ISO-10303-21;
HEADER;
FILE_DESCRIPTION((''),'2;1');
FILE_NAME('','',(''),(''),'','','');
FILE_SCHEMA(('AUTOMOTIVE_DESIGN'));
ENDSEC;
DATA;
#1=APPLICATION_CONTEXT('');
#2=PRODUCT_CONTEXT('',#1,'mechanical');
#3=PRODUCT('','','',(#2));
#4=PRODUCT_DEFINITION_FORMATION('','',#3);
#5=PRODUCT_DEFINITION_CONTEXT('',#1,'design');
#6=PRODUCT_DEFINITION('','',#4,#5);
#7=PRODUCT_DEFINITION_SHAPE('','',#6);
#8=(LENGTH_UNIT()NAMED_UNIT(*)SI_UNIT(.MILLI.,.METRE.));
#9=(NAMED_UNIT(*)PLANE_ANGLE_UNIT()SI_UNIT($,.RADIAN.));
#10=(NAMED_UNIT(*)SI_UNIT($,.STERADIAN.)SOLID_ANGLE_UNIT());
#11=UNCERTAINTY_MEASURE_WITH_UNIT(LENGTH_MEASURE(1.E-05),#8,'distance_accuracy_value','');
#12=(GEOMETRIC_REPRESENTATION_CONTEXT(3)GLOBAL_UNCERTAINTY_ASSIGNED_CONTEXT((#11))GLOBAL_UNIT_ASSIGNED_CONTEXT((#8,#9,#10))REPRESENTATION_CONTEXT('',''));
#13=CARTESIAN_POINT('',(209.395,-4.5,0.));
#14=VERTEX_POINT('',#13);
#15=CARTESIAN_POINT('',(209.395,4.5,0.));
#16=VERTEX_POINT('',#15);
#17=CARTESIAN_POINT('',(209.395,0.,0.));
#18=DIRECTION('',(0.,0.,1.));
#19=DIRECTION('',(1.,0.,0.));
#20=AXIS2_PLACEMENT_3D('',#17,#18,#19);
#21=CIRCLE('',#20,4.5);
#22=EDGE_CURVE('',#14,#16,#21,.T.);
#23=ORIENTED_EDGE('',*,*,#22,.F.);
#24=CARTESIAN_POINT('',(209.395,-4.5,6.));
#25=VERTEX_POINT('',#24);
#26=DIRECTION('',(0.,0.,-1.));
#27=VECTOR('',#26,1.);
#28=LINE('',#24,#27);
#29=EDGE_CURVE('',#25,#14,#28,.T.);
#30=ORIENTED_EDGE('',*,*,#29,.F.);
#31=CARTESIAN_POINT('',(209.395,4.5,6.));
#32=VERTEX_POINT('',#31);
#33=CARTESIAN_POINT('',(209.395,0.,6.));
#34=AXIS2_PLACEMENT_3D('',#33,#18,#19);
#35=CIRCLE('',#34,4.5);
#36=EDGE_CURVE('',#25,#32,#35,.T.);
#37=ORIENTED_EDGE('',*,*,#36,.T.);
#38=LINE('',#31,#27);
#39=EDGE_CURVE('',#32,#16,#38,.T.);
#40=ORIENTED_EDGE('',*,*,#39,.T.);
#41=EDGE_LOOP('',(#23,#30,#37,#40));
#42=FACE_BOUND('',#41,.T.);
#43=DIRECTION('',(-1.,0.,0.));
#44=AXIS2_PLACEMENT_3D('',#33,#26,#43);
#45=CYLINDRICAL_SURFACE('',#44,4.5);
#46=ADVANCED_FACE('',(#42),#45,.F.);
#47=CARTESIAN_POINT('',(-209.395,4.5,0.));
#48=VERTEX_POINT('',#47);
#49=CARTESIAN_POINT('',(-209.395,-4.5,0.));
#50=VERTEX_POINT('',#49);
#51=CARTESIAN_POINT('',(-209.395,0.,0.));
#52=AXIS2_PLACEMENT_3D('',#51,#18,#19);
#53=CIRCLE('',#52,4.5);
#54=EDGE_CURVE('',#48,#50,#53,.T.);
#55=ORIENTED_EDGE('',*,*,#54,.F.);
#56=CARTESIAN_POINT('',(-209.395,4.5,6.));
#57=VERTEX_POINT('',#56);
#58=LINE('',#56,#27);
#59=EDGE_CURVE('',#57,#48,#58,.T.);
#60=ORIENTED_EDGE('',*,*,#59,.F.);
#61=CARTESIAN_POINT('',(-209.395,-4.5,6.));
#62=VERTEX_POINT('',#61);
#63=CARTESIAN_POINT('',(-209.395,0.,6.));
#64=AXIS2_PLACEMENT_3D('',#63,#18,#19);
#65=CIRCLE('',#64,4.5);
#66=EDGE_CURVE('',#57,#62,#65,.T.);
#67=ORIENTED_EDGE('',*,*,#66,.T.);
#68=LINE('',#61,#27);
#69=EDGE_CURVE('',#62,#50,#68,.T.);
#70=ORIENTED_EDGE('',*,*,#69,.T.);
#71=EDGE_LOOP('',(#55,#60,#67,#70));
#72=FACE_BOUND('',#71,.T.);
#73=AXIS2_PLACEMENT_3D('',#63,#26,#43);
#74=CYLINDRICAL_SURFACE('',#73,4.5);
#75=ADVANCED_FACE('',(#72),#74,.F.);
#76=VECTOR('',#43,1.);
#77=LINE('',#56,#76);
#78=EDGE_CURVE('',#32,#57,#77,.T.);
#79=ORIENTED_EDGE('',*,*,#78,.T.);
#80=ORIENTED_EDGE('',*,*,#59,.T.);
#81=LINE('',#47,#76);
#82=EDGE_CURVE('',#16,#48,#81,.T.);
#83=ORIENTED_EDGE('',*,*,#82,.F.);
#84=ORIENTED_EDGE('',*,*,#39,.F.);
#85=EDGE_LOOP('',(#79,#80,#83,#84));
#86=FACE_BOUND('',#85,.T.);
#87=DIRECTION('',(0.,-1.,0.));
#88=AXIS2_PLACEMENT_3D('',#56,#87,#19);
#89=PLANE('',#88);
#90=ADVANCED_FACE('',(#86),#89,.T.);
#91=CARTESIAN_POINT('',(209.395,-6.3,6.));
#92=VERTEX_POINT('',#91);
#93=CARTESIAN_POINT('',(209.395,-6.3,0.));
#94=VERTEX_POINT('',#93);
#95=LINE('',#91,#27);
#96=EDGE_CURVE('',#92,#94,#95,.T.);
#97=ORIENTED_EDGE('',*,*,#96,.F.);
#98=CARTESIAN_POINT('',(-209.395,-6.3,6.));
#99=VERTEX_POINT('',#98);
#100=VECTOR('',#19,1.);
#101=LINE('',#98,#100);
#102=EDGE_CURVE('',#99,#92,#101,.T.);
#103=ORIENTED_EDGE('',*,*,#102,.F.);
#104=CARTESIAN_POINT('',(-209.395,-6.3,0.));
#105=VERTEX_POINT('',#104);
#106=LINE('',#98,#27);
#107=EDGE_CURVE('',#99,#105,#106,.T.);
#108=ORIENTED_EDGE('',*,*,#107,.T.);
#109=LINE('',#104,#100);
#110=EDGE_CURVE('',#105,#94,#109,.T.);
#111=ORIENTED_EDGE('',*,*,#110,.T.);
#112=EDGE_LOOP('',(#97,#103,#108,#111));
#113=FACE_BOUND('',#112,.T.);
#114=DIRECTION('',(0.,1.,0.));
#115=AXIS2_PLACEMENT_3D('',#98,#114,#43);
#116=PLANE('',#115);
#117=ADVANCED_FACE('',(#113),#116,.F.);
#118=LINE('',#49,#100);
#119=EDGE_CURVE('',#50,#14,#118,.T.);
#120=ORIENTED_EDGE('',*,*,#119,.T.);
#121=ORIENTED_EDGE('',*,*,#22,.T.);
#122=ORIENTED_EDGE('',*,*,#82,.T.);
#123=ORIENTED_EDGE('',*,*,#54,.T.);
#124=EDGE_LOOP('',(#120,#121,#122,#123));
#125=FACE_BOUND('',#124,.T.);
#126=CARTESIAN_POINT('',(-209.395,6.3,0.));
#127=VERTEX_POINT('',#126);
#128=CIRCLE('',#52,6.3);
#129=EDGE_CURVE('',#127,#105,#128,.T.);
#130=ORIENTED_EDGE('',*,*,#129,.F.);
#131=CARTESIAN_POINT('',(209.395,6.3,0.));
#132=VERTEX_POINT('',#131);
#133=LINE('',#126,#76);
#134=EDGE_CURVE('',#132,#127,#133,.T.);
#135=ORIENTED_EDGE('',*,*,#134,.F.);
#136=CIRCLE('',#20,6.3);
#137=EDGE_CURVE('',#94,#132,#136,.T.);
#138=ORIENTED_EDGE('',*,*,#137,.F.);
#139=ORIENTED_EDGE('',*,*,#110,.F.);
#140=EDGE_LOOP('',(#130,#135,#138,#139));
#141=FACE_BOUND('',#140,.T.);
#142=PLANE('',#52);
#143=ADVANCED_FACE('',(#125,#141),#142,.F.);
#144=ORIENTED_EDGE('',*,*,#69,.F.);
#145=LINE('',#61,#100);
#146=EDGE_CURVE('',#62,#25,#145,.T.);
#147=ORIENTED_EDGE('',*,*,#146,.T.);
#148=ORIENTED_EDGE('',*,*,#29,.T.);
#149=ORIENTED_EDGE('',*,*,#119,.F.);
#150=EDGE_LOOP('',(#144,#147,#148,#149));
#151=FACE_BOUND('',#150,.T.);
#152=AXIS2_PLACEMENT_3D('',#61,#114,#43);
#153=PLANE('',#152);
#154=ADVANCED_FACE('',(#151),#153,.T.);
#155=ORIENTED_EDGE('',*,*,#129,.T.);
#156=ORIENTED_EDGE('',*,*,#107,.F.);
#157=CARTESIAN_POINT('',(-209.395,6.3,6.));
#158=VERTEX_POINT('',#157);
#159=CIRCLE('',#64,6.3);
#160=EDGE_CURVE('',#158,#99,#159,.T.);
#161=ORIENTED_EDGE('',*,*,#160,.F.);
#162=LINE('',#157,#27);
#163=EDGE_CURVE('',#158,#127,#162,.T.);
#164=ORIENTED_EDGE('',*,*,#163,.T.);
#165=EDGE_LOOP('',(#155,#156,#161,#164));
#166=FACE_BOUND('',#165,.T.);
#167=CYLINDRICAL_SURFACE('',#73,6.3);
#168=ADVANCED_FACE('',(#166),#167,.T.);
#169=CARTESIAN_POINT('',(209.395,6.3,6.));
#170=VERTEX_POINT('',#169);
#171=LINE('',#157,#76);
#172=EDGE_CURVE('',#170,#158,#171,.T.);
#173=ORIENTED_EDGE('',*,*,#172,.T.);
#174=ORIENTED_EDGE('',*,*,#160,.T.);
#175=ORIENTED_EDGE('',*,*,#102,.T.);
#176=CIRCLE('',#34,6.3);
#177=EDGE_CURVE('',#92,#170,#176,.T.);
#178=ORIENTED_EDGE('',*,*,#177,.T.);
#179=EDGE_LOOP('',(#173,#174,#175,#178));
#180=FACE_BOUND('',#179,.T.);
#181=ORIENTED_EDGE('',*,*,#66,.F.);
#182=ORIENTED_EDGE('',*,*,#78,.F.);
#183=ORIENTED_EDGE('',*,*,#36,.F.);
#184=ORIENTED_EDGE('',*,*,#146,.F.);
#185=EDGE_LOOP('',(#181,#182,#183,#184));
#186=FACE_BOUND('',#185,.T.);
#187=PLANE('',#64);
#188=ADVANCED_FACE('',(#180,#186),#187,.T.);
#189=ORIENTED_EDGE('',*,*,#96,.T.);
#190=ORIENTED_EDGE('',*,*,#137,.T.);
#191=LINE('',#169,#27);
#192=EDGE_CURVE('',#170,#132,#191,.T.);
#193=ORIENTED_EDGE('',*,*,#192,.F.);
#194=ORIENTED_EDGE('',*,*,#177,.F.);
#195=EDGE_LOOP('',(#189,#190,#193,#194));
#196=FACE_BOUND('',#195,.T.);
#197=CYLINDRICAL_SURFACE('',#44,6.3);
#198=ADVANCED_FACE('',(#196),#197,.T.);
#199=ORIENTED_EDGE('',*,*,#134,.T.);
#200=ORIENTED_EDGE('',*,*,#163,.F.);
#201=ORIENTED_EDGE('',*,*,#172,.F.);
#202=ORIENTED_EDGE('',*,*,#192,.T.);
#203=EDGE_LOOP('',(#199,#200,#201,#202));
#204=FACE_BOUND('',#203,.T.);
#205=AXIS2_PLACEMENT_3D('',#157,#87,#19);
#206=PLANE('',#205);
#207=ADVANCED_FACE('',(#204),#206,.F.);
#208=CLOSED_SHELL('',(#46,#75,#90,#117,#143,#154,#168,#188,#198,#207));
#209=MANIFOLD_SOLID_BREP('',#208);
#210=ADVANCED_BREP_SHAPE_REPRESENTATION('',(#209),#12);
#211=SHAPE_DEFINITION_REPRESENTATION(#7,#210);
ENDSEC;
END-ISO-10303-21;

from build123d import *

# Parameters (mm, degrees)
EXTRUDE_THIN1_DEPTH = 6


with BuildPart() as part:
    # Sketch1 → Extrude-Thin1 (new body)
    with BuildSketch(Plane.XY):
        with BuildLine():
            Line((209.395, -6.3), (-209.395, -6.3))
            ThreePointArc((-209.395, -6.3), (-215.695, 0), (-209.395, 6.3))
            Line((-209.395, 6.3), (209.395, 6.3))
            ThreePointArc((209.395, 6.3), (215.695, 0), (209.395, -6.3))
        make_face()
        with BuildLine():
            Line((209.395, -4.5), (-209.395, -4.5))
            ThreePointArc((-209.395, -4.5), (-213.895, 0), (-209.395, 4.5))
            Line((-209.395, 4.5), (209.395, 4.5))
            ThreePointArc((209.395, 4.5), (213.895, 0), (209.395, -4.5))
        make_face(mode=Mode.SUBTRACT)
    extrude(amount=EXTRUDE_THIN1_DEPTH)


solid = part.part
